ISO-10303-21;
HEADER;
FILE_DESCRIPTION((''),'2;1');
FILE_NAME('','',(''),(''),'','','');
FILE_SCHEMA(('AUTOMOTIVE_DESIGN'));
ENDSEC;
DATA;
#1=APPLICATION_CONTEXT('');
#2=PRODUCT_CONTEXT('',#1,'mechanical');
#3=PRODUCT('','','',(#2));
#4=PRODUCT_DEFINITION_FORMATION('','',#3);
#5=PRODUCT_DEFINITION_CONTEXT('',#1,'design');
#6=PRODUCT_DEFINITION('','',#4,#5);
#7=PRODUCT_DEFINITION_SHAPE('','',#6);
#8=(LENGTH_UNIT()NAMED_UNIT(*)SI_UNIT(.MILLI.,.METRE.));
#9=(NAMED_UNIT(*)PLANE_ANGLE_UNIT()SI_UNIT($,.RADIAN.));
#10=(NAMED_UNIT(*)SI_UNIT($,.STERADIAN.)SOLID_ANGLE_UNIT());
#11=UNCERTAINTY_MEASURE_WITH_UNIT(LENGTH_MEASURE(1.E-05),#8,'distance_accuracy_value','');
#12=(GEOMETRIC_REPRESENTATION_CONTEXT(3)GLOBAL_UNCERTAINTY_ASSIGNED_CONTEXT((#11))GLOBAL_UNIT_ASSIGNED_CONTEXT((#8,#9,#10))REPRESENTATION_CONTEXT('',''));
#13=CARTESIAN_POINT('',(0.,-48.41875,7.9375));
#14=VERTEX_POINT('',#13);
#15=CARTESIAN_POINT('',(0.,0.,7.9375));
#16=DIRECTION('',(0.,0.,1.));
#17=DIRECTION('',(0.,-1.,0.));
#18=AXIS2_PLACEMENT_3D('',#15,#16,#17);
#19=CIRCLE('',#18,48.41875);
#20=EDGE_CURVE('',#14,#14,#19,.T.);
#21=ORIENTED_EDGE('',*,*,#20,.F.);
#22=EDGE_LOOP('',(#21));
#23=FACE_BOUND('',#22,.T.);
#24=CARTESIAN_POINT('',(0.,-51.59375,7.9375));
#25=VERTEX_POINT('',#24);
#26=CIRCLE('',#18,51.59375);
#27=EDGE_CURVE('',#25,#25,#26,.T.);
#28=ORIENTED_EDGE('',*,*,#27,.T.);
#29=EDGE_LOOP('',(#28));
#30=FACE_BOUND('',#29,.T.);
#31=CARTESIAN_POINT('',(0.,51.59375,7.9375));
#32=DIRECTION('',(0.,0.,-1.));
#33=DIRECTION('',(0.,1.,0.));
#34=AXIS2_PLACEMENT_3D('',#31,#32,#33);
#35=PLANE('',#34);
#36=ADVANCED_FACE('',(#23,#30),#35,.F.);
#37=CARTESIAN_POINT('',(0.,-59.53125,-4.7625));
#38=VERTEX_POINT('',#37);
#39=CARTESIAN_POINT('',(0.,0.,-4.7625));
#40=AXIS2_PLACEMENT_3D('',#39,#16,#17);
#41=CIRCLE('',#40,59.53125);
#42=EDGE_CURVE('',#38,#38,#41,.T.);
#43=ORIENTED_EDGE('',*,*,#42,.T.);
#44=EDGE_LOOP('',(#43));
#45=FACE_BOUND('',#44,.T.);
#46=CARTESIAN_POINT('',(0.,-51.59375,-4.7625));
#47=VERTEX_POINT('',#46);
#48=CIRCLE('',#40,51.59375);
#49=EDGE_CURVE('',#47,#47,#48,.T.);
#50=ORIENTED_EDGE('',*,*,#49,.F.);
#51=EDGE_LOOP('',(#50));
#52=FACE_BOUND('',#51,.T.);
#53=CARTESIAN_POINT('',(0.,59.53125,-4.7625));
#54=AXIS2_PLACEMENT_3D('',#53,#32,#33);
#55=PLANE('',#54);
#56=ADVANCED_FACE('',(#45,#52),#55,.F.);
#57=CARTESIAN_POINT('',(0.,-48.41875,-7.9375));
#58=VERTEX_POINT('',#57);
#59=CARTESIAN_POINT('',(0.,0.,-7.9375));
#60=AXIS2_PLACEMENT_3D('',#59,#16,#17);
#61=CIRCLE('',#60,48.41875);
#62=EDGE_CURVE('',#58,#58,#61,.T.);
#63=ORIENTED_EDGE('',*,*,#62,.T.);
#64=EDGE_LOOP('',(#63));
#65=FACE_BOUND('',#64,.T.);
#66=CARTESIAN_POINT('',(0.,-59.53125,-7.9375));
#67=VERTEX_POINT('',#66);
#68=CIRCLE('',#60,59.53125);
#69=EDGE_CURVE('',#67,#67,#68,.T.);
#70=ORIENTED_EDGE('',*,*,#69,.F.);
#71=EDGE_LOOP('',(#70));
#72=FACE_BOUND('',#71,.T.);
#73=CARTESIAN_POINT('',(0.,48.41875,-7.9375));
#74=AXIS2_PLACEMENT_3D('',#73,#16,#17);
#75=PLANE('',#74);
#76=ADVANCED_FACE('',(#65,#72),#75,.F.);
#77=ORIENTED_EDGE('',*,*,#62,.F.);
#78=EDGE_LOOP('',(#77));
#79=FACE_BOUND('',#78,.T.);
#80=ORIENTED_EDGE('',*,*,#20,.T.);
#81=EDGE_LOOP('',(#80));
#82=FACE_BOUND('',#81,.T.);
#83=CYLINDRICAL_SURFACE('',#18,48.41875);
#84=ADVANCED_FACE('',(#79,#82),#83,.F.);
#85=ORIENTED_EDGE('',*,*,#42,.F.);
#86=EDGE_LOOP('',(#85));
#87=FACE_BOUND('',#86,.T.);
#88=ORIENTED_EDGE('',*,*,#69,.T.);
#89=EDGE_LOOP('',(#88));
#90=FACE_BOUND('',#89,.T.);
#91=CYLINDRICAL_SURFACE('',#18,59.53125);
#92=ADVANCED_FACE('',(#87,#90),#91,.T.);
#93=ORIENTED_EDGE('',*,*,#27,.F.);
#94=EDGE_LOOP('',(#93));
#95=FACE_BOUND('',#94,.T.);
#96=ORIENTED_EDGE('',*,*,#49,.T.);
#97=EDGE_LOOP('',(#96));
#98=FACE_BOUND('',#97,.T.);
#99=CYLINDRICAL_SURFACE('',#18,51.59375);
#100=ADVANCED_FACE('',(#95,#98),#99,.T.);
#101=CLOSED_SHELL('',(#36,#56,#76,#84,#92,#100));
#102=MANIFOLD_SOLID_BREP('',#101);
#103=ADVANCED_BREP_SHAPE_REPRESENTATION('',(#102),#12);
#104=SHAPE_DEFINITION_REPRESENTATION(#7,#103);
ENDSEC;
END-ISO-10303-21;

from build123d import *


with BuildPart() as part:
    # Sketch1 → Revolve1 (revolve)
    with BuildSketch(Plane(origin=(0, 0, 0), x_dir=(0, 0, -1), z_dir=(1, 0, 0))):
        Polygon((-7.9375, 48.41875), (7.9375, 48.41875), (7.9375, 59.53125), (4.7625, 59.53125), (4.7625, 51.59375), (-7.9375, 51.59375), align=None)
    revolve(axis=Axis((0, 0, 7.9375), (0, 0, -1)))


solid = part.part
